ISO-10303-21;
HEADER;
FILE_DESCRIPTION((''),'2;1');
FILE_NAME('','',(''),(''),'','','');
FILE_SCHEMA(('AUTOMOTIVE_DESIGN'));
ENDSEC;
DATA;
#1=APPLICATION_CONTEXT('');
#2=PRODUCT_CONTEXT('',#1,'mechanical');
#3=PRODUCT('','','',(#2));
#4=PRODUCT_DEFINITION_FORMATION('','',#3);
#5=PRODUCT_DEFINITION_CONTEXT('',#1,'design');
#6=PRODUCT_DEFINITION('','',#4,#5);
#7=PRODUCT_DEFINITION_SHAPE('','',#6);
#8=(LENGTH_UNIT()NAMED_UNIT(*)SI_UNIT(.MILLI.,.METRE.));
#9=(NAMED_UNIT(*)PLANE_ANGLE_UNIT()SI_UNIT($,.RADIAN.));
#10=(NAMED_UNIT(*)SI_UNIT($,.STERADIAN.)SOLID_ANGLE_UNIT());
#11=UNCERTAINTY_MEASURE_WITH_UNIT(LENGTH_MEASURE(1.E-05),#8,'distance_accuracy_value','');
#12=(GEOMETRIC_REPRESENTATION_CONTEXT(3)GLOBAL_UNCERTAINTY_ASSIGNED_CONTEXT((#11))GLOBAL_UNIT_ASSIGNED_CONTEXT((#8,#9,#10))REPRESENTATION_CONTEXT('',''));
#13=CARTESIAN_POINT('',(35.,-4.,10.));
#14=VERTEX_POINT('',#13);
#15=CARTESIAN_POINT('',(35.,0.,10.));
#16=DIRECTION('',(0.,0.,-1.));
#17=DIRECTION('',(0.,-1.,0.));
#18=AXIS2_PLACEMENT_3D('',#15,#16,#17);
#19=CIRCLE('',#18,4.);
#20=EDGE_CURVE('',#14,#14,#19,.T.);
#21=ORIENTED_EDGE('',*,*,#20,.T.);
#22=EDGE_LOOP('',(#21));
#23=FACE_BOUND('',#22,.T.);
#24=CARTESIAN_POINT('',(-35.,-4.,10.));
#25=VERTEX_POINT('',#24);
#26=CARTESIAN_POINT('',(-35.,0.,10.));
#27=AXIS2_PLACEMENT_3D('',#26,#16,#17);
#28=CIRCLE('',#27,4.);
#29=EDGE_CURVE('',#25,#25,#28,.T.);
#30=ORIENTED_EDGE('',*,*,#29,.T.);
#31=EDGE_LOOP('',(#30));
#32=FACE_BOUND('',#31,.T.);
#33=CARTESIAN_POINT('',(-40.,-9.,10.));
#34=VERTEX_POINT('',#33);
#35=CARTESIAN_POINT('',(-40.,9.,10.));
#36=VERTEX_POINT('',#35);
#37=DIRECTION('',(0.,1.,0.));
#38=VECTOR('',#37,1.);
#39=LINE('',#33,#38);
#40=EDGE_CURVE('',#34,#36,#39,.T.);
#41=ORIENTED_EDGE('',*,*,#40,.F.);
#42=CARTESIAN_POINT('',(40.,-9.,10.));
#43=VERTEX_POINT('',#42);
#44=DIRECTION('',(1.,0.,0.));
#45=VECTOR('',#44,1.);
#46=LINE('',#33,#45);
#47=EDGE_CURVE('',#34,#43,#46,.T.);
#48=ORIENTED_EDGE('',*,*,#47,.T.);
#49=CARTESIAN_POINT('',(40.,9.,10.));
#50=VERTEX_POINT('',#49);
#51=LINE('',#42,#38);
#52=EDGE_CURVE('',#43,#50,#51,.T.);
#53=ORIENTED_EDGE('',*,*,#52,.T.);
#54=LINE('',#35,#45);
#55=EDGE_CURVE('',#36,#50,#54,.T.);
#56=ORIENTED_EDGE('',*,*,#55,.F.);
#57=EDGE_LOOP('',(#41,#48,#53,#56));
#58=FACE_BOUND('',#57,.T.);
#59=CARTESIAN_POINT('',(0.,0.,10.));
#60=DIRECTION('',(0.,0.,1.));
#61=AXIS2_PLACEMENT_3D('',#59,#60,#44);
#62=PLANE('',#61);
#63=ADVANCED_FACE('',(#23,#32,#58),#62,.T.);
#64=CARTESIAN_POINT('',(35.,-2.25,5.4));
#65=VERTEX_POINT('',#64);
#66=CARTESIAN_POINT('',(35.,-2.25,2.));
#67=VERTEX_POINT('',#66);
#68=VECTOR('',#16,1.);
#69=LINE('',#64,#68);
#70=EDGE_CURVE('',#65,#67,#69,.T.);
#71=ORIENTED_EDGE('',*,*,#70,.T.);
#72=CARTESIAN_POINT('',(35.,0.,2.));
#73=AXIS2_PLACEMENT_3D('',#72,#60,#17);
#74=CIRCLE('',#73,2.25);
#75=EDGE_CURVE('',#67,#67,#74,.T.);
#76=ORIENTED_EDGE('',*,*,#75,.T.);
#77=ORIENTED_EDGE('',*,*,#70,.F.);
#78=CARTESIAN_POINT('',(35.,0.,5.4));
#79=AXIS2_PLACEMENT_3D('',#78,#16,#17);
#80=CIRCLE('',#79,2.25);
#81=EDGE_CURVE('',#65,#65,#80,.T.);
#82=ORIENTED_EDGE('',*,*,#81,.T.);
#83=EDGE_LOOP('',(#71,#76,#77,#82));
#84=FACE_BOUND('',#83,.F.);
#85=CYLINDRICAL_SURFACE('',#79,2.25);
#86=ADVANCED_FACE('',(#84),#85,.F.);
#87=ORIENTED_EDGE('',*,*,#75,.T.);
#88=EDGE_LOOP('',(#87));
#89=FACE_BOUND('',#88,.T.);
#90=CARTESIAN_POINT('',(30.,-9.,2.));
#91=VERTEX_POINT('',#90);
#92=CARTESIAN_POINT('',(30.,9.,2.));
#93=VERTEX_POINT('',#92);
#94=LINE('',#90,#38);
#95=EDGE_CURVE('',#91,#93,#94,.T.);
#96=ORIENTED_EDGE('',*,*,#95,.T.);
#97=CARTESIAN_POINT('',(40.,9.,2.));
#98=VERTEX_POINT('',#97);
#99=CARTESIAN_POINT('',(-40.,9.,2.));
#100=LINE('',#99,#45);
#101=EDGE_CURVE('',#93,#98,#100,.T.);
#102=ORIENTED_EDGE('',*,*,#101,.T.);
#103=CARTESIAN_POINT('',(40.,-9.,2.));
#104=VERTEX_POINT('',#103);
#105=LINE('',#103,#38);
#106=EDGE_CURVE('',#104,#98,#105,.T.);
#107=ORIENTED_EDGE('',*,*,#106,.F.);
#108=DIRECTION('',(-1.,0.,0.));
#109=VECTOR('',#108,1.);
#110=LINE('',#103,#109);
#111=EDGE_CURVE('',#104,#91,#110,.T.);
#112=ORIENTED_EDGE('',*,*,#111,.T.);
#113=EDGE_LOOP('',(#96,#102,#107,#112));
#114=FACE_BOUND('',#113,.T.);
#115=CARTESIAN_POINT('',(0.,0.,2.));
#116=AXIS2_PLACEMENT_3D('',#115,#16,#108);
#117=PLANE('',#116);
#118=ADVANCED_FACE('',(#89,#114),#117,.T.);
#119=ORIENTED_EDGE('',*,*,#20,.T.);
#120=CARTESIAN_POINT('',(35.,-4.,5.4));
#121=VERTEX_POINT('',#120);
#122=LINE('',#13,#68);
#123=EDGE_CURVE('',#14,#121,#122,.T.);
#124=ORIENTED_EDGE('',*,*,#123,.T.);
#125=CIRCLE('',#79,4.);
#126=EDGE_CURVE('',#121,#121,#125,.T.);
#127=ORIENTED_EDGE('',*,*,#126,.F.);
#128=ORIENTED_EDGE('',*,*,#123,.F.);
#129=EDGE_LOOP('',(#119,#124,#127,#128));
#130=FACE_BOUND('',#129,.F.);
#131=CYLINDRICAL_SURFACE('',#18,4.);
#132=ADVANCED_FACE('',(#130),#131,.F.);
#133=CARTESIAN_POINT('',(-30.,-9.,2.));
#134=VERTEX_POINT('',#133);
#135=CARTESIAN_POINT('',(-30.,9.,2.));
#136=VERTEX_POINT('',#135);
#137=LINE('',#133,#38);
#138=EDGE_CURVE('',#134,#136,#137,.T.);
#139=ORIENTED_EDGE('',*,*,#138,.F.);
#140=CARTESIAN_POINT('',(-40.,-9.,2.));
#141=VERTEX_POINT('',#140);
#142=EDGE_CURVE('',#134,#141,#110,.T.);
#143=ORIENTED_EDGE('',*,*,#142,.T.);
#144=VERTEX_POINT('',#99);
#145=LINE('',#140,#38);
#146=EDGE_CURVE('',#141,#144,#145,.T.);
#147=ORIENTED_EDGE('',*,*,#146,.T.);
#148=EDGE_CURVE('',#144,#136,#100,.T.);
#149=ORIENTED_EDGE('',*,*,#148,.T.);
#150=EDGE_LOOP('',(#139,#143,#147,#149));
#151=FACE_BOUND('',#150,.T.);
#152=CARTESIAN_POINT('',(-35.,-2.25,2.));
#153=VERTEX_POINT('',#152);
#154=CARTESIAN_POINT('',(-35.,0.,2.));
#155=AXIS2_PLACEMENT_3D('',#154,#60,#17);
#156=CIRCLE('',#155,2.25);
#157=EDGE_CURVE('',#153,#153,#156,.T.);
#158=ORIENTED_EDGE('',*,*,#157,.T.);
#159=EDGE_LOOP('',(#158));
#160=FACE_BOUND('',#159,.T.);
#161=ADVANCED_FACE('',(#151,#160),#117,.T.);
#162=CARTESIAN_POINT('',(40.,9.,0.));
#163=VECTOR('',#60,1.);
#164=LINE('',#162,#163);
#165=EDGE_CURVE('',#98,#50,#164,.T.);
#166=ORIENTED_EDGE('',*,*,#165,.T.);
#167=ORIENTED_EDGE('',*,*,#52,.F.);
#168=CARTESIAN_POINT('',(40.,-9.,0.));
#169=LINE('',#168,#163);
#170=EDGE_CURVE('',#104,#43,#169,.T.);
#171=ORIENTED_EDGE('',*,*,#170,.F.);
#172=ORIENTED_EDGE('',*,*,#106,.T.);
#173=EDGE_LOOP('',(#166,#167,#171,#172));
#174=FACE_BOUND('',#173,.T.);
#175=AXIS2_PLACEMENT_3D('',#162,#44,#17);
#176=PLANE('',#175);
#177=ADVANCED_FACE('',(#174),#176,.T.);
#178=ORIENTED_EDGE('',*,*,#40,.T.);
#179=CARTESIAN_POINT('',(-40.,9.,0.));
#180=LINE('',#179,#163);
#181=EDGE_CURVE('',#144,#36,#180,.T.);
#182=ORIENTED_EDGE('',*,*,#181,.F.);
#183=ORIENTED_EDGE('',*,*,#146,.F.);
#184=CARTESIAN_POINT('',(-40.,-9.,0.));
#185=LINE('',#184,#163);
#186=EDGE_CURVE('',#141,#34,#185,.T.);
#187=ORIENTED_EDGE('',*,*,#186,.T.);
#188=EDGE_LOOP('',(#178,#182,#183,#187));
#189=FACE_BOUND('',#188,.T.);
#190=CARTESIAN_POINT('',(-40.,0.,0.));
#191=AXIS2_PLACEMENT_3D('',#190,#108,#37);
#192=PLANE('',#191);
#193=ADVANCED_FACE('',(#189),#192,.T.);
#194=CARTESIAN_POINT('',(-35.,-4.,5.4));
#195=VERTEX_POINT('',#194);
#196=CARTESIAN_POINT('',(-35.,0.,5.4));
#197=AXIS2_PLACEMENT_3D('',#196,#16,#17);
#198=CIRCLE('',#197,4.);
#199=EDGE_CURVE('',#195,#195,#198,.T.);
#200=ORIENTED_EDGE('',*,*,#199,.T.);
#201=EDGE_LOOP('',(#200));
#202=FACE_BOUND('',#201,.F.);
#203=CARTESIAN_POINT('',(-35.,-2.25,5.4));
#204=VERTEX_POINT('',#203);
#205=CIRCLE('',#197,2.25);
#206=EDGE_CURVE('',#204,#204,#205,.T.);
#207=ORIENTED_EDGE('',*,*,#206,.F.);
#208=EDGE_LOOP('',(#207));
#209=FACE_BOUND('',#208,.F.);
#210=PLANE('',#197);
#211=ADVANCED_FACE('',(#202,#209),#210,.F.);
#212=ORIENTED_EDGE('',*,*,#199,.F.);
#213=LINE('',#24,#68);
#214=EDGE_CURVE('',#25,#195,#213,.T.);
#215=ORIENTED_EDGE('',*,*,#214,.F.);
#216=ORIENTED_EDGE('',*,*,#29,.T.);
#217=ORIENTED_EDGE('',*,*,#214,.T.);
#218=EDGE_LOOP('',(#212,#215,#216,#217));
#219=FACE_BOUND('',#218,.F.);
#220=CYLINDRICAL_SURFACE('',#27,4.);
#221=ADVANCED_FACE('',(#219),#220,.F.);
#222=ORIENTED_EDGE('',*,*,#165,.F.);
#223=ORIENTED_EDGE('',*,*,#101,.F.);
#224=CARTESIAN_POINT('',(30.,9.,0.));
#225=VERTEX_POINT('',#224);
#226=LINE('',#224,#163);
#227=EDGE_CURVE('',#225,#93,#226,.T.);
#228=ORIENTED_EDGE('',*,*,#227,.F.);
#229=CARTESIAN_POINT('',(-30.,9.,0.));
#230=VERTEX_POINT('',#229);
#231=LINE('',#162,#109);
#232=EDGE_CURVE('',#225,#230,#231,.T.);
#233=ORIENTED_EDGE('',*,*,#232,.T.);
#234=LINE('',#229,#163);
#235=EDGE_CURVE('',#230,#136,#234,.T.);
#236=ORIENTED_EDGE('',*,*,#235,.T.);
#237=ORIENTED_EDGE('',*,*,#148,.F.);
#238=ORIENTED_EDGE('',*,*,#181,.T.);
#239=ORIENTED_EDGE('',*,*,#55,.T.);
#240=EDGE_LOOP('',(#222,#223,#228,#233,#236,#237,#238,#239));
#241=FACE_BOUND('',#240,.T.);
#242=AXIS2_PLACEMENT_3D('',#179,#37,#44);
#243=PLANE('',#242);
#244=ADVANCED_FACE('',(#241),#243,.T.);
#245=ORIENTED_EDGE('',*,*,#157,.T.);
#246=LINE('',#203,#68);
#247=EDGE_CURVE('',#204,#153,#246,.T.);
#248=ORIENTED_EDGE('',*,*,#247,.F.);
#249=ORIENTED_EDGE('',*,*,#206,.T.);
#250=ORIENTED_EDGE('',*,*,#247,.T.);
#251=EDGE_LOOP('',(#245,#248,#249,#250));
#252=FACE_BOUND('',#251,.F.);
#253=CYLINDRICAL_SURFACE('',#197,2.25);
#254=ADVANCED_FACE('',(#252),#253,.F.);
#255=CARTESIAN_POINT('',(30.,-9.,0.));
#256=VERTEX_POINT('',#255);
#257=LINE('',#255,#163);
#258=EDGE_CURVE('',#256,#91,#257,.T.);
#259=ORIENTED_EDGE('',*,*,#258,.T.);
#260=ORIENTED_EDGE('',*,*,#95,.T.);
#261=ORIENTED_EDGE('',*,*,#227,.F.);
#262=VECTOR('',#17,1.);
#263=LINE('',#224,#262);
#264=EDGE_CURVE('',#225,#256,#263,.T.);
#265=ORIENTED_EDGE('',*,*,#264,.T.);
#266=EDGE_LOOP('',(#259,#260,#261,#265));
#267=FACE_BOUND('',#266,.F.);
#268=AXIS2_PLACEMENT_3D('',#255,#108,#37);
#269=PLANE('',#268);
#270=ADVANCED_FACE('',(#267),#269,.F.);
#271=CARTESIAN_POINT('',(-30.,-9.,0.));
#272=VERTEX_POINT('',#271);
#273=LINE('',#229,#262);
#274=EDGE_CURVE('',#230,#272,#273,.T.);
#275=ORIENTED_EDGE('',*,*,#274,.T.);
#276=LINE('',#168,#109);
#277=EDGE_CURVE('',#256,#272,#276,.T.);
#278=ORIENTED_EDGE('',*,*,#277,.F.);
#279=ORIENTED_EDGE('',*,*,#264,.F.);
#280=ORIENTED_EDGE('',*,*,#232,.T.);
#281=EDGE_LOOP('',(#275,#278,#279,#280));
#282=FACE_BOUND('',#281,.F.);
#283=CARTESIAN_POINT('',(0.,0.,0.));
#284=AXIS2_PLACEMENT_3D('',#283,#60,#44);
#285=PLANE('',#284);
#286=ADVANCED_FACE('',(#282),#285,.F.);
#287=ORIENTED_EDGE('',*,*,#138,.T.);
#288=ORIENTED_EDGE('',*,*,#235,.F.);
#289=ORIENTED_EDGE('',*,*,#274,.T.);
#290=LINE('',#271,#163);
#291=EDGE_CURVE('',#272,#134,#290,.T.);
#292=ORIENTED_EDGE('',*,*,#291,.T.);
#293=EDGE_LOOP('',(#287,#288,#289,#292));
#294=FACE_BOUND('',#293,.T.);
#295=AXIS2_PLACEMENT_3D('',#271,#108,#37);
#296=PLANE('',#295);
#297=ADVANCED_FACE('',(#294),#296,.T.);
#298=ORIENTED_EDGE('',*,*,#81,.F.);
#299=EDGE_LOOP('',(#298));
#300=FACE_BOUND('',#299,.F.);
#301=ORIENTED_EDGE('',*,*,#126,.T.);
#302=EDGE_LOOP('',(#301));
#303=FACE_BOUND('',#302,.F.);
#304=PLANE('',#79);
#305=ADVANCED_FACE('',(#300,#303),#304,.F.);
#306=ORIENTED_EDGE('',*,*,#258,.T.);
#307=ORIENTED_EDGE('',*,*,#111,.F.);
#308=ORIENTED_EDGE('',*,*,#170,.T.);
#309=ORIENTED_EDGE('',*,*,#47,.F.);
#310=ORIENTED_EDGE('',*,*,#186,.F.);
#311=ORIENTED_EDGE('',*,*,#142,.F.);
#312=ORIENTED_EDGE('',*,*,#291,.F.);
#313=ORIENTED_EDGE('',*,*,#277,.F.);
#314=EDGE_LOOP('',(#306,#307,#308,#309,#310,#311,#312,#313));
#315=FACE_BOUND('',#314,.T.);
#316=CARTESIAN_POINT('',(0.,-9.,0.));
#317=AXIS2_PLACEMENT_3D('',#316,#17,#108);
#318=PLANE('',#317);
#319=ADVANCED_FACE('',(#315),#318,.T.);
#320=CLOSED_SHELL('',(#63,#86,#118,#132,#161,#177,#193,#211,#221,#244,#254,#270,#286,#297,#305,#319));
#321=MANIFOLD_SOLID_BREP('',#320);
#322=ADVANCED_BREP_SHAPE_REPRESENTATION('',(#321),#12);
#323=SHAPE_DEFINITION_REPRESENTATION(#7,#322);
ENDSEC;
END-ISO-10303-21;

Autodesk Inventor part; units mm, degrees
ref_plane "YZ Plane" through (0, 0, 0) normal (1, 0, 0) x (0, 1, 0)
ref_plane "XZ Plane" through (0, 0, 0) normal (0, 1, 0) x (-1, 0, 0)
ref_plane "XY Plane" through (0, 0, 0) normal (0, 0, 1) x (1, 0, 0)
sketch "Skizze_Grudnkörper" plane through (0, 0, 0) normal (0, 0, 1) x (1, 0, 0)
  line L0 (-56, 0) -> (56, 0) projected
  line L1 (0, -12.6) -> (0, 12.6) projected
  line L2 (40, -9) -> (-40, -9)
  line L3 (-40, -9) -> (-40, 9)
  line L4 (-40, 9) -> (40, 9)
  line L5 (40, 9) -> (40, -9)
  line L6 (40, -9) -> (-40, 9) construction
  line L7 (-40, -9) -> (40, 9) construction
  point P0 (0, 0)
  dimension "Länge" = 80
  dimension "Breite" = 18
extrude "Grundkörper" add sketch "Skizze_Grudnkörper" along normal blind 10
sketch "Skizze_Senkbohrung" plane through (0, 0, 10) normal (0, 0, 1) x (1, 0, 0)
  line L0 (-56, 0) -> (56, 0) projected
  line L1 (0, -12.6) -> (0, 12.6) projected
  line L2 (-40, -9) -> (40, -9) projected
  line L3 (40, -9) -> (40, 9) projected
  line L4 (40, 9) -> (-40, 9) projected
  line L5 (-40, 9) -> (-40, -9) projected
  point P0 (0, 0)
  point P1 (-35, 0)
  point P2 (35, 0)
  dimension "d4" = 70
hole "Senkbohrung" at (-35, 0, 10) at (35, 0, 10) direction (0, 0, -1) diameter 4.5 end through all counterbore diameter 8 counterbore depth 4.6
sketch "Skizze_Ausnehmung" plane through (0, 0, 0) normal (0, 0, -1) x (-1, 0, 0)
  circle A0 centre (35, 0) radius 2.25 projected
  circle A1 centre (-35, 0) radius 2.25 projected
  line L0 (-40, -9) -> (40, -9) projected
  line L1 (40, -9) -> (40, 9) projected
  line L2 (40, 9) -> (-40, 9) projected
  line L3 (-40, 9) -> (-40, -9) projected
  line L4 (56, 0) -> (-56, 0) projected
  line L5 (0, -12.6) -> (0, 12.6) projected
  line L6 (40, 9) -> (-40, 9) projected
  line L7 (40, -9) -> (30, -9)
  line L8 (30, -9) -> (30, 9)
  line L9 (30, 9) -> (40, 9)
  line L10 (40, 9) -> (40, -9)
  line L11 (-40, 9) -> (-40, -9) projected
  line L12 (-40, -9) -> (-30, -9)
  line L13 (-30, -9) -> (-30, 9)
  line L14 (-30, 9) -> (-40, 9)
  line L15 (-40, 9) -> (-40, -9)
  point P0 (0, 0)
  dimension "d12" = 60
extrude "Ausnehmung" cut sketch "Skizze_Ausnehmung" against normal blind 2 contours L4 L1 L0 L8 A0 | A0 L4 L8 L2 L1 | L13 L0 L3 L4 A1 | L4 A1 L3 L2 L13
properties material "Stahl, unlegiert"
